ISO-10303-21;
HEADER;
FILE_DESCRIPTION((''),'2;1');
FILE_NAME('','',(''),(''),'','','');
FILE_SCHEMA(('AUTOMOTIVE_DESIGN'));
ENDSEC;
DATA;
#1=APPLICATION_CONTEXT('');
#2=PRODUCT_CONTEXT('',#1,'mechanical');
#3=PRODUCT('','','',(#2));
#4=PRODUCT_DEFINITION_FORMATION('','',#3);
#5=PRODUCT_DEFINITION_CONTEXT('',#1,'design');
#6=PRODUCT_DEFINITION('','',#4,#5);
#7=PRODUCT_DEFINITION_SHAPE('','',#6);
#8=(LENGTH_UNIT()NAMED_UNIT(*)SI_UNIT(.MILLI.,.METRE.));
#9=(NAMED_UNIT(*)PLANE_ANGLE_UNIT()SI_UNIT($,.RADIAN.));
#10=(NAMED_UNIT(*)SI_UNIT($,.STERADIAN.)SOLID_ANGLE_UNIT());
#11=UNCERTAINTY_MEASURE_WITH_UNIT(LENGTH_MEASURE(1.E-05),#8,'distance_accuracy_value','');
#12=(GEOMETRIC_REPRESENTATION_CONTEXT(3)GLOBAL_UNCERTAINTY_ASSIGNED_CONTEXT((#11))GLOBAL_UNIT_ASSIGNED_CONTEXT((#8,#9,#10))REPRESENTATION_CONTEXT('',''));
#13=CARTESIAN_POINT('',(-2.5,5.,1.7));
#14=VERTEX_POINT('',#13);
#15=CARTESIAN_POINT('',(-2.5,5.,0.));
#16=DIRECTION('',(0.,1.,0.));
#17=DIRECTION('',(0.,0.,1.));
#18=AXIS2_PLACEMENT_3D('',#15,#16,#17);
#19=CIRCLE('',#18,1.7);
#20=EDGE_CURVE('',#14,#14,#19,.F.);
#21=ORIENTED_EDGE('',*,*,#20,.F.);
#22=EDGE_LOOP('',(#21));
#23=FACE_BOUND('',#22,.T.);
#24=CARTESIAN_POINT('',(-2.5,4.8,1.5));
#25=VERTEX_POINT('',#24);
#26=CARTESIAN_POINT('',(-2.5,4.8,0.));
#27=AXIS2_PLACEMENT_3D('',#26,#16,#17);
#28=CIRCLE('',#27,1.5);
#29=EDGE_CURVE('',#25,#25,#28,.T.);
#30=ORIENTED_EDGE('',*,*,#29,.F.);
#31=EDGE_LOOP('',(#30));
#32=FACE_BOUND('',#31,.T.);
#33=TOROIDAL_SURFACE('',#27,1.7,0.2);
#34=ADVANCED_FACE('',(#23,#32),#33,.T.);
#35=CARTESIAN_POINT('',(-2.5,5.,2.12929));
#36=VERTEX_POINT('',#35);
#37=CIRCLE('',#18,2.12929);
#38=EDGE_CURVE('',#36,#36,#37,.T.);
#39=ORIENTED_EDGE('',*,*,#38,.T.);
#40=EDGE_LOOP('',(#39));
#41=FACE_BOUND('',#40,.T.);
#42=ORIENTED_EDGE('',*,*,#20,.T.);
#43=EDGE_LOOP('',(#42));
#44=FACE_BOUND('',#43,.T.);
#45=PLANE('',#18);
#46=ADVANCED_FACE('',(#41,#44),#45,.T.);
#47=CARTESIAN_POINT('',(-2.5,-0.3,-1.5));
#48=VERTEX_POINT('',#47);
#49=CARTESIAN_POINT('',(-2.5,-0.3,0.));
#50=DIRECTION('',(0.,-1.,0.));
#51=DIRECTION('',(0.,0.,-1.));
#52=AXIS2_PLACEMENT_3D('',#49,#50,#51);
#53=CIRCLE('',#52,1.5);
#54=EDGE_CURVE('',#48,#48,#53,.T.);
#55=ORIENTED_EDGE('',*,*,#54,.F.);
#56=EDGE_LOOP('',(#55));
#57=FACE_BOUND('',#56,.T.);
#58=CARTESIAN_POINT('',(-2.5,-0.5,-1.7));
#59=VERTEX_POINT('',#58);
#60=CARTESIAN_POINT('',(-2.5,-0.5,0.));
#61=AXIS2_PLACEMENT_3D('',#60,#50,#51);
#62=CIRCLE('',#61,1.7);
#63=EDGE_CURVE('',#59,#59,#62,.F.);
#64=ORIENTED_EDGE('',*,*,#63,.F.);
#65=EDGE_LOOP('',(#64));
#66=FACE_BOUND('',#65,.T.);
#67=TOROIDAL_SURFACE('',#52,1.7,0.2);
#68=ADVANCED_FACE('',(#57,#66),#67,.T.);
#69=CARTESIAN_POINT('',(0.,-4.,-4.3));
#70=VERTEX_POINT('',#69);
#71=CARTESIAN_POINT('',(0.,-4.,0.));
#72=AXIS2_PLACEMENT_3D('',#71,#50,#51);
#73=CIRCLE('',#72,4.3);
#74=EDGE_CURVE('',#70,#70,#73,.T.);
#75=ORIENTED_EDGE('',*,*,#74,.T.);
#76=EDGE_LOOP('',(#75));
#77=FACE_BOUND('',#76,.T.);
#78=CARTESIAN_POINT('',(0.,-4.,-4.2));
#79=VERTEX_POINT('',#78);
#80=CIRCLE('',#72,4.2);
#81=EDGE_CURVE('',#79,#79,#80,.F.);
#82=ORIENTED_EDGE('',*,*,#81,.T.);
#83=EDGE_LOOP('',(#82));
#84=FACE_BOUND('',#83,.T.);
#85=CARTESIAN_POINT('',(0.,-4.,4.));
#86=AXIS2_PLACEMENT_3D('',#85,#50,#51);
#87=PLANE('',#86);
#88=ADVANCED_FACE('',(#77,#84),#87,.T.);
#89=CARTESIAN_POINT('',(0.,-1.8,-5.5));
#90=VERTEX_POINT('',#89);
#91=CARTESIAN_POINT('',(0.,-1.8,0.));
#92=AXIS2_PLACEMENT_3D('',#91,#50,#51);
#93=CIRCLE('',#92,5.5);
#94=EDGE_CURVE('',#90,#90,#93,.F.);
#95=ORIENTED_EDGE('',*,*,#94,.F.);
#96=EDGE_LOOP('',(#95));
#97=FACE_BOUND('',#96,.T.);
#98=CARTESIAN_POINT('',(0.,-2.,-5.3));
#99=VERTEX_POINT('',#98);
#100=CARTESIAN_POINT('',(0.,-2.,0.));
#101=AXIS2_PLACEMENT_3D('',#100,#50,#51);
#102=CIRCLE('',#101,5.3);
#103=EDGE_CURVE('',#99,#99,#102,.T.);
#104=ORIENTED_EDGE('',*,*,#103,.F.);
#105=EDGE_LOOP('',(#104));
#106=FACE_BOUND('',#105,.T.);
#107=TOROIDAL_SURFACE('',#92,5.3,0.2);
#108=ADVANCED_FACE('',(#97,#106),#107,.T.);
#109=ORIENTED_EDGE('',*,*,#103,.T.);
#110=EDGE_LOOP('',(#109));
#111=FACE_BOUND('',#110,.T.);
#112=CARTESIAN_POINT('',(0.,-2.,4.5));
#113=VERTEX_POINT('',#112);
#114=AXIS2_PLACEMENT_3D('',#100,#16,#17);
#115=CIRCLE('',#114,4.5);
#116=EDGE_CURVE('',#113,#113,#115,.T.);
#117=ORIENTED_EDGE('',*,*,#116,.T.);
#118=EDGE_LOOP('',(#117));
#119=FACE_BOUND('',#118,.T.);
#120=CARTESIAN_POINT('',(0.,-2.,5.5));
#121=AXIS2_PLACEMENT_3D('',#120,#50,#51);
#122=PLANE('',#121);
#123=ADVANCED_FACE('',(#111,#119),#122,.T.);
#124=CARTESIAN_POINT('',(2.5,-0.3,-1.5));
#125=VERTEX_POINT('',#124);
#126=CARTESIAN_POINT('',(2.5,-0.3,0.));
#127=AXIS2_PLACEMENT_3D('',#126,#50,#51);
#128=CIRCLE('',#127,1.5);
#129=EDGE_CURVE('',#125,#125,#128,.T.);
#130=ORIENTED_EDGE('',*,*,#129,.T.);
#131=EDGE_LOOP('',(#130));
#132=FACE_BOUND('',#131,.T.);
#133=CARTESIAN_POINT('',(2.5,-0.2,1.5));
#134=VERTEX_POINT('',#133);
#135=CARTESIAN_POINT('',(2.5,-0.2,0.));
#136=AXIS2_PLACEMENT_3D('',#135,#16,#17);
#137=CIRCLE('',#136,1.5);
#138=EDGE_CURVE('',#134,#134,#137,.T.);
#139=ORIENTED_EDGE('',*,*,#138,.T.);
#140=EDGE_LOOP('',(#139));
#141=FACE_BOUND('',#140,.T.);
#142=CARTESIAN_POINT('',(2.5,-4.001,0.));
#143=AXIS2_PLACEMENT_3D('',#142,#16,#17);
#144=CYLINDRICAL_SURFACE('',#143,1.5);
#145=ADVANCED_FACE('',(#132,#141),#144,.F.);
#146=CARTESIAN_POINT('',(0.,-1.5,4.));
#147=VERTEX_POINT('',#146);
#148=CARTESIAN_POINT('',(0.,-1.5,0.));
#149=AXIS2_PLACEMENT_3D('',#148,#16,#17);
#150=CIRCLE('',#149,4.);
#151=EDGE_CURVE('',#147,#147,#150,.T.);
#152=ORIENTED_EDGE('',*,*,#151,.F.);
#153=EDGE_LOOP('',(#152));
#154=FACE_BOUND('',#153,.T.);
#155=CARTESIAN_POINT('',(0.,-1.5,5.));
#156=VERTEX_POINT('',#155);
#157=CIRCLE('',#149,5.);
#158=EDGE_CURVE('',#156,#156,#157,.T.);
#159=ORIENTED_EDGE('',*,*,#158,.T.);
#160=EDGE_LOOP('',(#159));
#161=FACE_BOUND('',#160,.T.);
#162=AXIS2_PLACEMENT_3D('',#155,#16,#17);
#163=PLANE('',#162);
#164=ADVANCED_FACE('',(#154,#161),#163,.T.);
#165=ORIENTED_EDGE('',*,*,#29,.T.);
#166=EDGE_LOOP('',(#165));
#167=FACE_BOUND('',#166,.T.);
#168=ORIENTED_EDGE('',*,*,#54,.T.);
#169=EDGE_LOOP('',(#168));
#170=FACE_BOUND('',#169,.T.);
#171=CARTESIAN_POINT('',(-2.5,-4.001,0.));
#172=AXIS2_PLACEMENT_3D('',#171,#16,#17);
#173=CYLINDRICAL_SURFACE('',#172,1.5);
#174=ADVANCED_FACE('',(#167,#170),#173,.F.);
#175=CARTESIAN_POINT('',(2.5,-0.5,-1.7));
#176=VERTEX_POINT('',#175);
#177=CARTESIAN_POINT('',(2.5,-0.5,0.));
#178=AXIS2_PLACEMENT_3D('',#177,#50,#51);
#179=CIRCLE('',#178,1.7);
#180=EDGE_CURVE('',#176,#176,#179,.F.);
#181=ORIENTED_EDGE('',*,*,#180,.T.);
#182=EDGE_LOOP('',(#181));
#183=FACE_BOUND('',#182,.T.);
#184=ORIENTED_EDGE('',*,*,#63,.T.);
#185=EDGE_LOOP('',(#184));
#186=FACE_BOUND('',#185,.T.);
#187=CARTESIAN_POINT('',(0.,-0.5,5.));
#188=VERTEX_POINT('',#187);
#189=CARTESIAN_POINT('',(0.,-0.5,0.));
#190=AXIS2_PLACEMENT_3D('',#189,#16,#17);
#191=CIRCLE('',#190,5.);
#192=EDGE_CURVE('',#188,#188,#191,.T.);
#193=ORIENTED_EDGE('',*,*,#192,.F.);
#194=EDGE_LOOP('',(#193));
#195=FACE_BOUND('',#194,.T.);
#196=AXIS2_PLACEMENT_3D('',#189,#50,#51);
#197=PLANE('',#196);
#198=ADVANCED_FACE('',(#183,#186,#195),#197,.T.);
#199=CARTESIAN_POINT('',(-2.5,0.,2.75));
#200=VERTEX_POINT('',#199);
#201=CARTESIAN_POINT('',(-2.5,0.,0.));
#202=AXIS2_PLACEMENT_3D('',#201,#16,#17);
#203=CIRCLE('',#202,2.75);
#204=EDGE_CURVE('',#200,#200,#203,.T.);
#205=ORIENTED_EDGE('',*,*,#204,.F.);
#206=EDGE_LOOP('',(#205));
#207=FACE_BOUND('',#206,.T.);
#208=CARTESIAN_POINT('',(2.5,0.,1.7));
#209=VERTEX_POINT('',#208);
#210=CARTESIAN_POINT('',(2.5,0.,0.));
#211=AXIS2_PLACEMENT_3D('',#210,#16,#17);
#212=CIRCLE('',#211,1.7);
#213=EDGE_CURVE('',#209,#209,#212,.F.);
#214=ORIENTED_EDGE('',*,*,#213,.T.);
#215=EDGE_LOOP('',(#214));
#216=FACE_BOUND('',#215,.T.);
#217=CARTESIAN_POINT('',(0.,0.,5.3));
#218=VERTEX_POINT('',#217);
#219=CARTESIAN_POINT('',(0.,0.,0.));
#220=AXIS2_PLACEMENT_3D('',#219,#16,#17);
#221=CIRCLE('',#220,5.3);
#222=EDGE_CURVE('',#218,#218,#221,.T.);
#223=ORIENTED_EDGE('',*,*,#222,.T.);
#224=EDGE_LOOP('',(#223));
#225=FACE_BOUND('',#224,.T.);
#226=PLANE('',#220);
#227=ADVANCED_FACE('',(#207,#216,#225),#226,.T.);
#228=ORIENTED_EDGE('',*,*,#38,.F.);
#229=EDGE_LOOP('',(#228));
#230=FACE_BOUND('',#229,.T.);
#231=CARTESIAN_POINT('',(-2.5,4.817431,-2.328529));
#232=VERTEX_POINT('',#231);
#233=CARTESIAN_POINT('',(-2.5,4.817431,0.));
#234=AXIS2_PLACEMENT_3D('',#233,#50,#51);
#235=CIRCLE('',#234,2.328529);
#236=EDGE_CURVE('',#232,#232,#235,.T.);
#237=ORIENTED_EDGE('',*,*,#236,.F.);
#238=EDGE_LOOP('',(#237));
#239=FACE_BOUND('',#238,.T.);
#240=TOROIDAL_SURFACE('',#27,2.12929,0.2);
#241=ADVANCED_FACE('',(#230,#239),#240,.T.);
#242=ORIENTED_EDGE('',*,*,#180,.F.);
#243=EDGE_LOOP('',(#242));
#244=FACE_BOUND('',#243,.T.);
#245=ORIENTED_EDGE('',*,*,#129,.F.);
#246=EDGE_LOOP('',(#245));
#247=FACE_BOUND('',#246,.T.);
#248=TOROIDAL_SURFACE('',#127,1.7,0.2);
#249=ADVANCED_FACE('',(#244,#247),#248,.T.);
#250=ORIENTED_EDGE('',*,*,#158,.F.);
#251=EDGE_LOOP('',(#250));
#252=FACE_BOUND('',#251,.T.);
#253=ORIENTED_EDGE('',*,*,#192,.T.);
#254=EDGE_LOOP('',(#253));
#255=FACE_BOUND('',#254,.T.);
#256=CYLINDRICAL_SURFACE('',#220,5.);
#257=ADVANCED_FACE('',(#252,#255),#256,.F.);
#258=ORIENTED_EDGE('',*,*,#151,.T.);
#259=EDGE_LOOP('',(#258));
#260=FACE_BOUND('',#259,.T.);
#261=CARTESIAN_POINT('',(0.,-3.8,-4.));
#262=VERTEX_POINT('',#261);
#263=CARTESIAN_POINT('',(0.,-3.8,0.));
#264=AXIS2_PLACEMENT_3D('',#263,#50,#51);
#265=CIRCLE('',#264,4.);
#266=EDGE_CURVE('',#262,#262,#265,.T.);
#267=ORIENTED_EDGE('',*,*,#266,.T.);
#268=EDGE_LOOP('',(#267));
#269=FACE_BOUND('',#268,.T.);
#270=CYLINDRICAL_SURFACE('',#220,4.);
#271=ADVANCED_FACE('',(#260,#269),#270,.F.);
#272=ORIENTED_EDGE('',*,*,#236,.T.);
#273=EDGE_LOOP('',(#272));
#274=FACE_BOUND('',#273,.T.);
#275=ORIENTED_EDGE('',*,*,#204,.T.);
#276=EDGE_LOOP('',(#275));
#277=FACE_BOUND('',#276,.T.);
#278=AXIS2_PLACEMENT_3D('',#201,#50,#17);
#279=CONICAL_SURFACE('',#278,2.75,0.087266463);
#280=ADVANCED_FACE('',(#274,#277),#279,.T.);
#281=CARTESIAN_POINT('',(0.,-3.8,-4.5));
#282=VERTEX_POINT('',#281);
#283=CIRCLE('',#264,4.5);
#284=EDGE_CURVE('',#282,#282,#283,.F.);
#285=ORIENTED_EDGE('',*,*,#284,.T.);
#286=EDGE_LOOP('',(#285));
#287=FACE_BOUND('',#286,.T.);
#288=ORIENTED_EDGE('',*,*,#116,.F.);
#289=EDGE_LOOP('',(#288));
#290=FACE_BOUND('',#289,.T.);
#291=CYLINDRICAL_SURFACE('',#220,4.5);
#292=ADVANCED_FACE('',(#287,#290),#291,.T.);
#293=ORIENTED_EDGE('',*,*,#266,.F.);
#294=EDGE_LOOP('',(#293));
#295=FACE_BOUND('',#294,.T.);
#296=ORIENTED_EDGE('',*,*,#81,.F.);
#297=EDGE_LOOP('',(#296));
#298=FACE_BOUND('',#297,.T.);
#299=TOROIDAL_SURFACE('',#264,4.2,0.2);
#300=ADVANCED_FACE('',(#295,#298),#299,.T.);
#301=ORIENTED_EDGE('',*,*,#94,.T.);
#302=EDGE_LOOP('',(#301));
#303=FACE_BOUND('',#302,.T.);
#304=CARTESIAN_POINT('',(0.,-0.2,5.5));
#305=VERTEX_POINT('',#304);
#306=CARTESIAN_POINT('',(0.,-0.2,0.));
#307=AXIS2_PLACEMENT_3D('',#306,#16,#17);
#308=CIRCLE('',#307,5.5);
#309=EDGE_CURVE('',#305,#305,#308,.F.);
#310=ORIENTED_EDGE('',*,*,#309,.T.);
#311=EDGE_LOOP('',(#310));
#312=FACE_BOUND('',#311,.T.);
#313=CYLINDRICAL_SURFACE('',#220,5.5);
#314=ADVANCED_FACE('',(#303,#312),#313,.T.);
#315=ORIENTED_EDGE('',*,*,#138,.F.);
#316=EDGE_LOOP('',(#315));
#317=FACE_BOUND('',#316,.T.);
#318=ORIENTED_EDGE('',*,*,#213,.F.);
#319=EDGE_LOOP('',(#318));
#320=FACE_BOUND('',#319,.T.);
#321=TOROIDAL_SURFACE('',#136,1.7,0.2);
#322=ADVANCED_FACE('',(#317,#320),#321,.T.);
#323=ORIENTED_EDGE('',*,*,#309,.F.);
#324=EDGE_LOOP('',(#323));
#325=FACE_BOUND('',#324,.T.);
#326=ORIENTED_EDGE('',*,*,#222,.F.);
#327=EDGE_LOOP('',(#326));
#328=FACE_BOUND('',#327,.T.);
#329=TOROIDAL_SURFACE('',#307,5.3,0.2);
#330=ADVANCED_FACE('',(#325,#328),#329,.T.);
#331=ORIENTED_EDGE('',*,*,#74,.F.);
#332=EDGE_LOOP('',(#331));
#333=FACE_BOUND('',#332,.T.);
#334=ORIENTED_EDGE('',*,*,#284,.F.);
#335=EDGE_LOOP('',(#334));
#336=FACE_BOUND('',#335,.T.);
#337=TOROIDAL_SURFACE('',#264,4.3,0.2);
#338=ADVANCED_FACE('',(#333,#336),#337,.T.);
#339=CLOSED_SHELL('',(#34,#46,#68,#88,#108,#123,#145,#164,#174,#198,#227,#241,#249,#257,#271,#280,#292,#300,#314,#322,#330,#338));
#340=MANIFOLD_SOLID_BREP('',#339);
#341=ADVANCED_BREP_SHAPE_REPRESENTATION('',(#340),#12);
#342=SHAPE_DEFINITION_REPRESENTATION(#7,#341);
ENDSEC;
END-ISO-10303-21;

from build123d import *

# Parameters (mm, degrees)
CUT_EXTRUDE1_REACH  = 6
SKETCH2_R           = 1.5
SKETCH3_R           = 2.75
SKETCH3_R_2         = 1.5
BOSS_EXTRUDE1_DEPTH = 5
DRAFT2_ANGLE        = 5
FILLET1_R           = 0.2


with BuildPart() as part:
    # Sketch1 → Revolve1 (revolve)
    with BuildSketch(Plane(origin=(0, 0, 0), x_dir=(0, 0, -1), z_dir=(1, 0, 0))):
        Polygon((-5.5, -2), (-4.5, -2), (-4.5, -4), (-4, -4), (-4, -1.5), (-5, -1.5), (-5, -0.5), (0, -0.5), (0, 0), (-5.5, 0), align=None)
    revolve(axis=Axis((0, 0, 0), (0, -1, 0)))

    # Sketch2 → Cut-Extrude1 (cut, up to next)
    with BuildSketch(Plane(origin=(0, 0, 0), x_dir=(1, 0, 0), z_dir=(0, 1, 0)), mode=Mode.PRIVATE) as cut_extrude1_sk1:
        with Locations((2.5, 0)):
            Circle(SKETCH2_R)
    cut_extrude1_tool1 = extrude(cut_extrude1_sk1.sketch, amount=-CUT_EXTRUDE1_REACH, mode=Mode.PRIVATE) & part.part
    add(cut_extrude1_tool1.solids().sort_by_distance((2.5, 0, 0))[0], mode=Mode.SUBTRACT)
    # Sketch2 → Cut-Extrude1 (cut, up to next)
    with BuildSketch(Plane(origin=(0, 0, 0), x_dir=(1, 0, 0), z_dir=(0, 1, 0)), mode=Mode.PRIVATE) as cut_extrude1_sk2:
        with Locations((-2.5, 0)):
            Circle(SKETCH2_R)
    cut_extrude1_tool2 = extrude(cut_extrude1_sk2.sketch, amount=-CUT_EXTRUDE1_REACH, mode=Mode.PRIVATE) & part.part
    add(cut_extrude1_tool2.solids().sort_by_distance((-2.5, 0, 0))[0], mode=Mode.SUBTRACT)

    # Sketch3 → Boss-Extrude1 (add)
    with BuildSketch(Plane(origin=(0, 0, 0), x_dir=(1, 0, 0), z_dir=(0, 1, 0))):
        with Locations((-2.5, 0)):
            Circle(SKETCH3_R)
        with Locations((-2.5, 0)):
            Circle(SKETCH3_R_2, mode=Mode.SUBTRACT)
    extrude(amount=BOSS_EXTRUDE1_DEPTH)

    # Draft2
    draft2_faces = [part.faces().sort_by_distance(p)[0] for p in [
        (-5.25, 2.5, 0),
    ]]
    draft(draft2_faces, Plane.ZX, DRAFT2_ANGLE)

    # Fillet1
    fillet1_edges = [part.edges().sort_by_distance(p)[0] for p in [
        (0, -2, -5.5),
        (0, 0, -5.5),
        (1, -0.5, 0),
        (1, 0, 0),
        (-4, -0.5, 0),
        (-4.812556682, 5, 0),
        (-4, 5, 0),
        (0, -4, -4),
        (0, -4, -4.5),
    ]]
    fillet(fillet1_edges, radius=FILLET1_R)


solid = part.part
